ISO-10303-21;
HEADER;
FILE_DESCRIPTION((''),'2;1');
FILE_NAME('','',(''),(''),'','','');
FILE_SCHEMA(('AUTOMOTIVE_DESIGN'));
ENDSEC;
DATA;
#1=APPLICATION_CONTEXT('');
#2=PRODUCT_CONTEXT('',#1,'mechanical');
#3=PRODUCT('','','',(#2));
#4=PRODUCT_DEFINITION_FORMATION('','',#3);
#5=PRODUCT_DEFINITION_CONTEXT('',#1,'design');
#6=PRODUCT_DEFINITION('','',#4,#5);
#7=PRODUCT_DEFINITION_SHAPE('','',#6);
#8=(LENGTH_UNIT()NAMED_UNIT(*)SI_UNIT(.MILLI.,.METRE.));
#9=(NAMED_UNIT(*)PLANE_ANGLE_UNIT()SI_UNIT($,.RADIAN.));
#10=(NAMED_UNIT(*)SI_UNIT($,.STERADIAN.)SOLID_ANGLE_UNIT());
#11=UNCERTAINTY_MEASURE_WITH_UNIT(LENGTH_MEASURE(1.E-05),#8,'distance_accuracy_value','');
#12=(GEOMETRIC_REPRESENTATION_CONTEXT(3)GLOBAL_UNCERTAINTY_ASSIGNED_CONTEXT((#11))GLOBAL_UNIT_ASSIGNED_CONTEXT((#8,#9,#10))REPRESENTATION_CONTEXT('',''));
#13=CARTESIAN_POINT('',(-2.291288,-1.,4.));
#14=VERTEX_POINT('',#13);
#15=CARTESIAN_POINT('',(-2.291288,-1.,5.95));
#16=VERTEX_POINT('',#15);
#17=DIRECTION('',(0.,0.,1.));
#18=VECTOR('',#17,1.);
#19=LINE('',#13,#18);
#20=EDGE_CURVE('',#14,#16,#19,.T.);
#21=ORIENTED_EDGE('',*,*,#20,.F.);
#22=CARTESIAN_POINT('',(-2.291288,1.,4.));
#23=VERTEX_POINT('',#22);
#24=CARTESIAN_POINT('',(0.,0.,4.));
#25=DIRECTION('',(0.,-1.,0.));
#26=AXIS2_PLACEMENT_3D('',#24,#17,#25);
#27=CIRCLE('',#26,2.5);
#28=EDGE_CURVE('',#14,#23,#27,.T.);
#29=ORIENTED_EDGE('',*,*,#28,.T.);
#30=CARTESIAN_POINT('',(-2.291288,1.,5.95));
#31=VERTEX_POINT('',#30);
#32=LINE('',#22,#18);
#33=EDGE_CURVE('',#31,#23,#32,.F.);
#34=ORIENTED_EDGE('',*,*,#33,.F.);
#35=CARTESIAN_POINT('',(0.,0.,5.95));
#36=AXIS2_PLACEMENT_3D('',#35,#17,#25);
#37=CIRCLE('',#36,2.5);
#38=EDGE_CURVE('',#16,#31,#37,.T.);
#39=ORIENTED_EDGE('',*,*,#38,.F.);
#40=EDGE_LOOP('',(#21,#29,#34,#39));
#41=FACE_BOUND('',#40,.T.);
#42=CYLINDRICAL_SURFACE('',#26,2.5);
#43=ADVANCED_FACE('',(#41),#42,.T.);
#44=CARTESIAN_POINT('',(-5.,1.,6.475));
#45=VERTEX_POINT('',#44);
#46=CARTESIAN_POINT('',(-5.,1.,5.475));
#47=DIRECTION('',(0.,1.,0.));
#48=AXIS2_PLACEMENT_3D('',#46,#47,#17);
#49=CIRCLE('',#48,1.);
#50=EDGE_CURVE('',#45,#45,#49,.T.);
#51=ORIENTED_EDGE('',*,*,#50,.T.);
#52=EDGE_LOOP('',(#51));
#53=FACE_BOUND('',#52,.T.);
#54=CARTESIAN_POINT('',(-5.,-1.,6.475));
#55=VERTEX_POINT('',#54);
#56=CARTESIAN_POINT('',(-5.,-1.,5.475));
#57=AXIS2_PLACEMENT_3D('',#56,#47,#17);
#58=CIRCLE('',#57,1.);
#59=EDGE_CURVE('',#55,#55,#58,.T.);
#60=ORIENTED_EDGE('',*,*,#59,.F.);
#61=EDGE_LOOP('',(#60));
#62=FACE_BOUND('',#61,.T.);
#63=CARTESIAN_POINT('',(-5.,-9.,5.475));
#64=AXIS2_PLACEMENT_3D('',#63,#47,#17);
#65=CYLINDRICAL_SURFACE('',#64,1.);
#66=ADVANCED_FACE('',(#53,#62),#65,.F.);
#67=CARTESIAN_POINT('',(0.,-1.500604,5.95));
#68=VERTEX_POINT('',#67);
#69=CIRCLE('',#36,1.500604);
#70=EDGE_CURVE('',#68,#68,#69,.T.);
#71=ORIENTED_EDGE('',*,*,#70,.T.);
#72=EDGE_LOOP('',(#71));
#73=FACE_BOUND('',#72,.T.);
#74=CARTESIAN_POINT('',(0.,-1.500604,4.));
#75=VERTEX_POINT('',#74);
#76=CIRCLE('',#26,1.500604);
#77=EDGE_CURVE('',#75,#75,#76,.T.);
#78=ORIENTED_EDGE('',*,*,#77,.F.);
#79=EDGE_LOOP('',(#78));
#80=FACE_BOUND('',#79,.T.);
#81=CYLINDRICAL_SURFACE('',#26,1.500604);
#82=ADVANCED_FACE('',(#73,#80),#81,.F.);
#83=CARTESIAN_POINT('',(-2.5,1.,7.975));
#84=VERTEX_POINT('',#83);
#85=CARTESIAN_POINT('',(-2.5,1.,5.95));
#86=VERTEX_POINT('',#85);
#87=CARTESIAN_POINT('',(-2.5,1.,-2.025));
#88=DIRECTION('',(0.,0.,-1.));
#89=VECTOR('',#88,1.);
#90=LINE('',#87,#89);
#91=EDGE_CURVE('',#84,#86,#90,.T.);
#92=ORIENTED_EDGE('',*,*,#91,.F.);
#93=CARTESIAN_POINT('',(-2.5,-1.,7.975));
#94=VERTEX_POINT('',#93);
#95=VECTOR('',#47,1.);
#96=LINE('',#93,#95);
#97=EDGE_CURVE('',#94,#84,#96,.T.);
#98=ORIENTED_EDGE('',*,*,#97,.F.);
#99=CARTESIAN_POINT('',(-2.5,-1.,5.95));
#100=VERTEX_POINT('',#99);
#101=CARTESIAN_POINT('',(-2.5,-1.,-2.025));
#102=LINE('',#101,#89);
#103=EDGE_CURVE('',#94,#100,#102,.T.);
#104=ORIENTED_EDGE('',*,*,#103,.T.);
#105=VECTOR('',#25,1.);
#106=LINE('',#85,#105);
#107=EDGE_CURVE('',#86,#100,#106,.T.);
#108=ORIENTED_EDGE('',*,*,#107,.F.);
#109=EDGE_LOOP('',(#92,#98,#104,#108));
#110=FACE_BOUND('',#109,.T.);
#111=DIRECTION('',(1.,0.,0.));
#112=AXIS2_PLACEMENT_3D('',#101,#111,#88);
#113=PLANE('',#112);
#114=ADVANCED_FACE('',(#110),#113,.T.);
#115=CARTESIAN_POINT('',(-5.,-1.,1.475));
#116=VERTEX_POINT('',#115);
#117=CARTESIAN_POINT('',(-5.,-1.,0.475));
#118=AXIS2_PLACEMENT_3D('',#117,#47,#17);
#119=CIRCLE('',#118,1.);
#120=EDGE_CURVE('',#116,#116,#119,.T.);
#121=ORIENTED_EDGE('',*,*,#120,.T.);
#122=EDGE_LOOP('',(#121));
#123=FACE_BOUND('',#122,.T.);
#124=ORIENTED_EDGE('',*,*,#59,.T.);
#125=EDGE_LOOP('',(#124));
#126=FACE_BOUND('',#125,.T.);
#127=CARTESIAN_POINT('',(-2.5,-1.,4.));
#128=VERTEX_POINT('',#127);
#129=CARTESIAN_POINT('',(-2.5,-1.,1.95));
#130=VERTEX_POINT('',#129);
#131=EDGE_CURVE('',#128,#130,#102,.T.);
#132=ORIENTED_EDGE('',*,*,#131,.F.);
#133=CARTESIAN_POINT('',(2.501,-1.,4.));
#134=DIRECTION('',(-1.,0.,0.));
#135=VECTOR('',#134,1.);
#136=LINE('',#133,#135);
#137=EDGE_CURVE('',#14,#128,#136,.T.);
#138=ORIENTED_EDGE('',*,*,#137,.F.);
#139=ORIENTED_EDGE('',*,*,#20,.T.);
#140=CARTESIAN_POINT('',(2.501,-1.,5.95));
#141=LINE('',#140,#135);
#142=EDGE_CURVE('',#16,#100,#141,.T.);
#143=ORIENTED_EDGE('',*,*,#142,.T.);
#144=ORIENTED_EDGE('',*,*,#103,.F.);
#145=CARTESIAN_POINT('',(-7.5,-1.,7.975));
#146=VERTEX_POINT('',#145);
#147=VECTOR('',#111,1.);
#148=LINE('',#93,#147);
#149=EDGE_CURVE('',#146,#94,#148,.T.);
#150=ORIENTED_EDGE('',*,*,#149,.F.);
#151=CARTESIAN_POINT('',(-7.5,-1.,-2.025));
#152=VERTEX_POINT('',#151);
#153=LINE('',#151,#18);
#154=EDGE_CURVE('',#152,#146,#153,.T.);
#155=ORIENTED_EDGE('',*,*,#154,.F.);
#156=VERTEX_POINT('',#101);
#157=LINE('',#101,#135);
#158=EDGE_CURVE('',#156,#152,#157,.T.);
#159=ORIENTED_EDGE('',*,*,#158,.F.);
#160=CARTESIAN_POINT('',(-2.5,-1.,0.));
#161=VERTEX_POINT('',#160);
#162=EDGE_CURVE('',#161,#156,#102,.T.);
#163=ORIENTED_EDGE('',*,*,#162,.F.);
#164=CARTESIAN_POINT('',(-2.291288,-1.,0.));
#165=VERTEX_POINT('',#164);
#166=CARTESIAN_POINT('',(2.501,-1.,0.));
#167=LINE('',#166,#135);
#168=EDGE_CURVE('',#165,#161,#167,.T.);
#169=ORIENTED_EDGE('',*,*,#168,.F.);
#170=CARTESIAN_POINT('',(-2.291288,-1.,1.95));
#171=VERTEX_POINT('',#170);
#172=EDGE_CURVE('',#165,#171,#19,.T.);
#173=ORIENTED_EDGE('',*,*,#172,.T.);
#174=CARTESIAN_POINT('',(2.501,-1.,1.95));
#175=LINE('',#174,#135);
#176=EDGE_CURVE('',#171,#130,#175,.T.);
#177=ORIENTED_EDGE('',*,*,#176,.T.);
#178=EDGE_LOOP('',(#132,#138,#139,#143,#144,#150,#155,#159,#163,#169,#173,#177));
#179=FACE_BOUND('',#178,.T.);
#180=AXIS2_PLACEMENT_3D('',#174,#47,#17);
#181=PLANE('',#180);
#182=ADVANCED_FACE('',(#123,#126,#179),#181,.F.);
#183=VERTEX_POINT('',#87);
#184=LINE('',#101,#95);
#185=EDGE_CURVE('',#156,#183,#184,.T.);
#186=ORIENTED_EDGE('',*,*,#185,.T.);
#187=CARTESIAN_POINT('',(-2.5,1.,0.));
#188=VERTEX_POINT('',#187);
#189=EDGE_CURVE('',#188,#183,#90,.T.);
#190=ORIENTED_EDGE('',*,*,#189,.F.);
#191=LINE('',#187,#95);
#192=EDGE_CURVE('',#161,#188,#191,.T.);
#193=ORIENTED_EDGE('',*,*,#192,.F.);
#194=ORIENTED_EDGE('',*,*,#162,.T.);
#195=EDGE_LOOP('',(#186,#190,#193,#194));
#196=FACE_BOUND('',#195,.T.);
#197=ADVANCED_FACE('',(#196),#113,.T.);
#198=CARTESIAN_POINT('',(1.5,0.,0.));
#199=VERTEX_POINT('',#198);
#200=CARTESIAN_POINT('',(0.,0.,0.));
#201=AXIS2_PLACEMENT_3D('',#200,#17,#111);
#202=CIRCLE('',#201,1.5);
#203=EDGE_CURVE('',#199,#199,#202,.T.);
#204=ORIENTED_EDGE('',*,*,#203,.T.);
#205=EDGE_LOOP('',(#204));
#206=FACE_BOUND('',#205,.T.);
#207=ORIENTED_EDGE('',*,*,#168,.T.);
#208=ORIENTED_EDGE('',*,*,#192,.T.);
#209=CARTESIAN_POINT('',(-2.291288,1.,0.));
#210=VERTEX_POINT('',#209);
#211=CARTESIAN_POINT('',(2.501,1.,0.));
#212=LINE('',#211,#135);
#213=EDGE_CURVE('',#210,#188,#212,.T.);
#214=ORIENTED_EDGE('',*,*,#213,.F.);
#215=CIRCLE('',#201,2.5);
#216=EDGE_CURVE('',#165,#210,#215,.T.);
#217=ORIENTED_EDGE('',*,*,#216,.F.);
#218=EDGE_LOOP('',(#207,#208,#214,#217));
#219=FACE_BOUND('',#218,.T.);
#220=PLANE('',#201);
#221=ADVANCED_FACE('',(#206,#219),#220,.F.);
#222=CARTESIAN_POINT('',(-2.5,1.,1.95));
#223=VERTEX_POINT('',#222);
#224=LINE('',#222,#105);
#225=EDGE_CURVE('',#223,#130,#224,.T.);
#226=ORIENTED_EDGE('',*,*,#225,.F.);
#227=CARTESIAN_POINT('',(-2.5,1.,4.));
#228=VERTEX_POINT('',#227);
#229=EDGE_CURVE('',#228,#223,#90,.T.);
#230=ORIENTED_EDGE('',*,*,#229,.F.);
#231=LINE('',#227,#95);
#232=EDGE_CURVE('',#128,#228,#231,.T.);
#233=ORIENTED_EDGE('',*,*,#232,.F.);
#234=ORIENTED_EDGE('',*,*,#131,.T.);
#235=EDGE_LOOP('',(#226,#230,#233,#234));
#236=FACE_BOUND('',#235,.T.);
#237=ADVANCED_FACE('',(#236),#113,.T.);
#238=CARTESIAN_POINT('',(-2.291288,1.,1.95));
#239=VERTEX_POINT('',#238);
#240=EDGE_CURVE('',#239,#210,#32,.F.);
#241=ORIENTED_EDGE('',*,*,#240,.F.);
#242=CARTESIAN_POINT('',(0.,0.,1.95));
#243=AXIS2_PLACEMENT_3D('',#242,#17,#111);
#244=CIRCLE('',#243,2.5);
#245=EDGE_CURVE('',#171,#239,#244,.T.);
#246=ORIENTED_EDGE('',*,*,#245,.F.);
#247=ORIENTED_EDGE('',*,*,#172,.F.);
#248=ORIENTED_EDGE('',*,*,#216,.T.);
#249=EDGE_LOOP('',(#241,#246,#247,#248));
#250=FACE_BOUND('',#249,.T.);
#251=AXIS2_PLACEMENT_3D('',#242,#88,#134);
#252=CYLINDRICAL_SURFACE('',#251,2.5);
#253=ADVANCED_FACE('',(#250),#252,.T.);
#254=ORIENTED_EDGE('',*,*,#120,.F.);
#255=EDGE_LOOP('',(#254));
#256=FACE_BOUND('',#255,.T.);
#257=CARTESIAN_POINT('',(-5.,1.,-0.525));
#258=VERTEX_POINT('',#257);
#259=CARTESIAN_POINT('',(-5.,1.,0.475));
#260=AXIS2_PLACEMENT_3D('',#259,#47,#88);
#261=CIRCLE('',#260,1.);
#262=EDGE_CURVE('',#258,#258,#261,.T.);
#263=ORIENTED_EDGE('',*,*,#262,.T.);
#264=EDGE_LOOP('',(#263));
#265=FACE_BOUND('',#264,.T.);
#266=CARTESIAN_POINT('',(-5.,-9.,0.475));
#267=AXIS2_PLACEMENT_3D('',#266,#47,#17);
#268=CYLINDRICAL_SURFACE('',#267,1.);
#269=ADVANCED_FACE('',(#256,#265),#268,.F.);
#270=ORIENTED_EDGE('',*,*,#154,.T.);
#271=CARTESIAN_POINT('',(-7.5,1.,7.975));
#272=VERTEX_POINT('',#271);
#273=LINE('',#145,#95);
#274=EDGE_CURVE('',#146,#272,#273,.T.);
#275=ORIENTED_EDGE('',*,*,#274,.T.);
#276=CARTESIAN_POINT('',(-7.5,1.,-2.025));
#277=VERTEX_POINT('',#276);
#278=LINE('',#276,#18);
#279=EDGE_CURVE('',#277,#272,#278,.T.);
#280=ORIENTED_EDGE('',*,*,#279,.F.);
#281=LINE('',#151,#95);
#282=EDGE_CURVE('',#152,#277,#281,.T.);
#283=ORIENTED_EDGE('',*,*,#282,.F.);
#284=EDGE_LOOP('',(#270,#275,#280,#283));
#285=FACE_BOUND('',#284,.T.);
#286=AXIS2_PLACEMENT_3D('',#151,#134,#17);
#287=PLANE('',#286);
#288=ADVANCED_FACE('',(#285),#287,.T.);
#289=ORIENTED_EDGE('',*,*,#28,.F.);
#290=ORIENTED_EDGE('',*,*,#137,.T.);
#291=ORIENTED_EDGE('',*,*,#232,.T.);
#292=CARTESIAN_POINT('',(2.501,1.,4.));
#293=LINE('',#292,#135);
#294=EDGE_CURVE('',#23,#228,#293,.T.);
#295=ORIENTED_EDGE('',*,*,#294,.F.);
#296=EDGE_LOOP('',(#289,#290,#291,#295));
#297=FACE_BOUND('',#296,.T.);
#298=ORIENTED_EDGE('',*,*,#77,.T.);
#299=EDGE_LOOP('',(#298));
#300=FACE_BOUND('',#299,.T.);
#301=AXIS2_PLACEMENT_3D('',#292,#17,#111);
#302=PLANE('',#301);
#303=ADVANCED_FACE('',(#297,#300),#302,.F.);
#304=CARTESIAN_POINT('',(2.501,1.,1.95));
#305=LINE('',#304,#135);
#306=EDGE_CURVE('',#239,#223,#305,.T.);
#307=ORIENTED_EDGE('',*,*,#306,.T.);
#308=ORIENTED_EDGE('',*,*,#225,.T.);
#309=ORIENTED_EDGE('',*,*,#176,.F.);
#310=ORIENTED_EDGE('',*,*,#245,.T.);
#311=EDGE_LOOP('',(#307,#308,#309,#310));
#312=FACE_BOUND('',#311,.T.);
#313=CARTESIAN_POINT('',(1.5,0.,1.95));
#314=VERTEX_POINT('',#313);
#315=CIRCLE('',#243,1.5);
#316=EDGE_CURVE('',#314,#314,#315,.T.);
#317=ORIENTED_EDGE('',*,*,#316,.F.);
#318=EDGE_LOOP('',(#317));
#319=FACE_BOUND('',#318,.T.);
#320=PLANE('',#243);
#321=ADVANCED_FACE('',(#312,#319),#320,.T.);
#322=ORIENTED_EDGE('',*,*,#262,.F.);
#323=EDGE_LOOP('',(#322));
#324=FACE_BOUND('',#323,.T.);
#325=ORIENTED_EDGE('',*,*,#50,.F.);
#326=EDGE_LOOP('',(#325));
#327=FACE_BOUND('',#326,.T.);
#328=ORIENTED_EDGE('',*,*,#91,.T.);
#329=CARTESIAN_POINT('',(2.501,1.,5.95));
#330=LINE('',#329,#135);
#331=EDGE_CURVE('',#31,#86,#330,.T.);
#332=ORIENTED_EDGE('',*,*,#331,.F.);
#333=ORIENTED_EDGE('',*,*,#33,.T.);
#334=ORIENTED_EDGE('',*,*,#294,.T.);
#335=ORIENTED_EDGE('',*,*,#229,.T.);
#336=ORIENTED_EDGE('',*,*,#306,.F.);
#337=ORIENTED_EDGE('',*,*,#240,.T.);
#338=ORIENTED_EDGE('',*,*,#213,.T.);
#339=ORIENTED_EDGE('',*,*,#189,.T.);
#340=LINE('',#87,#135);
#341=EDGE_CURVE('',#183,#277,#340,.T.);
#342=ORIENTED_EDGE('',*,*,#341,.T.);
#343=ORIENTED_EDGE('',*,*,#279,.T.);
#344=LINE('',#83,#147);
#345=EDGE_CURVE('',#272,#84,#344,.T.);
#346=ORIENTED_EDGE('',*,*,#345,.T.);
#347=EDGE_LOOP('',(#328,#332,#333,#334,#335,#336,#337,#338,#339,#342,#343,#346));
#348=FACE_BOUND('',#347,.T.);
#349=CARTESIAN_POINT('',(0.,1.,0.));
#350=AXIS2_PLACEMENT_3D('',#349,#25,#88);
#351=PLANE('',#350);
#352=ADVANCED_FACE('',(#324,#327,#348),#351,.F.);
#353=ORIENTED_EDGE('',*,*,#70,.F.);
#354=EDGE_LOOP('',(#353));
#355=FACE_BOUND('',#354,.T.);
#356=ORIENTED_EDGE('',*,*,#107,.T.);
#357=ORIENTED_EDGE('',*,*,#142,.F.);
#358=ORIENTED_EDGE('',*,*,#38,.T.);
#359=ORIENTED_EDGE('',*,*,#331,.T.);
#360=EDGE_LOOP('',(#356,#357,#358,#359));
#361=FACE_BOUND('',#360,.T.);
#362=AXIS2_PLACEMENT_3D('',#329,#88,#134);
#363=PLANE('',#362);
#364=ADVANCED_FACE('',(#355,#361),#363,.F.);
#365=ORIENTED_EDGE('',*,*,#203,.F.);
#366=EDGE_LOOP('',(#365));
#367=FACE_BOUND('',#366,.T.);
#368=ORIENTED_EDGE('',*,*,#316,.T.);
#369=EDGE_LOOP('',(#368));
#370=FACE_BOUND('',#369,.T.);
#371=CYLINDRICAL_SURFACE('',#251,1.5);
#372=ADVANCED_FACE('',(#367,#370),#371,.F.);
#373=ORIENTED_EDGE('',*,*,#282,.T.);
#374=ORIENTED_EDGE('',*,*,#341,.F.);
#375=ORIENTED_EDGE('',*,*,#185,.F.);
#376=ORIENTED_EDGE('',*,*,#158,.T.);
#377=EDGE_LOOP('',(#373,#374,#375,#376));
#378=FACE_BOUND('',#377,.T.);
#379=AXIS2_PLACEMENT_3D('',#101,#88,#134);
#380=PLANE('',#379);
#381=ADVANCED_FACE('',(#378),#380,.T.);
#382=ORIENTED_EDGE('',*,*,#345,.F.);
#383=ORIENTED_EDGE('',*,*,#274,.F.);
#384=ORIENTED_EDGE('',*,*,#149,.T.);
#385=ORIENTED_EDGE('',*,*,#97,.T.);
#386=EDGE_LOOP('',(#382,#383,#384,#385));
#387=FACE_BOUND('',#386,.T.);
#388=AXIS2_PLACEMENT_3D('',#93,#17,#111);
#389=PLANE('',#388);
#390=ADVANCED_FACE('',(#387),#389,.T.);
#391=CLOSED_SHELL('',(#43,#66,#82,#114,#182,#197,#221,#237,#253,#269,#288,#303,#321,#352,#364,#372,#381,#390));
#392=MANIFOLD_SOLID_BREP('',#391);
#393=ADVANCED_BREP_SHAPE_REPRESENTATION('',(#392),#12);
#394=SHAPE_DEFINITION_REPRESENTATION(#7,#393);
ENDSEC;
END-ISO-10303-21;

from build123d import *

# Parameters (mm, degrees)
SKETCH2_R                = 2.5
SKETCH2_R_2              = 1.5
BOSS_EXTRUDE1_DEPTH      = 1.95
SKETCH3_W                = 5
SKETCH3_H                = 10
BOSS_EXTRUDE2_DEPTH      = 1
BOSS_EXTRUDE2_DEPTH_BACK = 1
SKETCH5_R                = 2.5
SKETCH5_R_2              = 1.50060411
BOSS_EXTRUDE3_DEPTH      = 0.975
BOSS_EXTRUDE3_DEPTH_BACK = 0.975
SKETCH6_W                = 1.95
SKETCH6_H                = 2
BOSS_EXTRUDE4_DEPTH      = 0.208712
SKETCH7_R                = 1
CUT_EXTRUDE1_DEPTH       = 10


with BuildPart() as part:
    # Sketch2 → Boss-Extrude1 (new body)
    with BuildSketch(Plane.XY):
        Circle(SKETCH2_R)
        Circle(SKETCH2_R_2, mode=Mode.SUBTRACT)
    extrude(amount=BOSS_EXTRUDE1_DEPTH)



with BuildPart() as body_2:
    # Sketch3 → Boss-Extrude2 (new body, two sides)
    with BuildSketch(Plane(origin=(0, 0, 0), x_dir=(1, 0, 0), z_dir=(0, 1, 0))) as boss_extrude2_sk:
        with Locations((-5, -2.975)):
            Rectangle(SKETCH3_W, SKETCH3_H)
    extrude(amount=BOSS_EXTRUDE2_DEPTH)
    extrude(boss_extrude2_sk.sketch, amount=-BOSS_EXTRUDE2_DEPTH_BACK)


with BuildPart() as body_3:
    # Sketch5 → Boss-Extrude3 (new body, two sides)
    with BuildSketch(Plane(origin=(0, 0, 4.975), x_dir=(0, -1, 0), z_dir=(0, 0, 1))) as boss_extrude3_sk:
        Circle(SKETCH5_R)
        Circle(SKETCH5_R_2, mode=Mode.SUBTRACT)
    extrude(amount=BOSS_EXTRUDE3_DEPTH)
    extrude(boss_extrude3_sk.sketch, amount=-BOSS_EXTRUDE3_DEPTH_BACK)


with BuildPart() as part_1:
    add(part.part)

    add(body_2.part)  # Boss-Extrude4 merges body 2

    add(body_3.part)  # Boss-Extrude4 merges body 3
    # Sketch6 → Boss-Extrude4 (add)
    with BuildSketch(Plane(origin=(-2.5, 0, 0), x_dir=(0, 0, -1), z_dir=(1, 0, 0))):
        with Locations((-4.975, 0)):
            Rectangle(SKETCH6_W, SKETCH6_H)
        with Locations((-0.975, 0)):
            Rectangle(SKETCH6_W, SKETCH6_H)
    extrude(amount=BOSS_EXTRUDE4_DEPTH)

    # Sketch7 → Cut-Extrude1 (cut)
    with BuildSketch(Plane(origin=(0, 1, 0), x_dir=(1, 0, 0), z_dir=(0, 1, 0))):
        with Locations((-5, -5.475)):
            Circle(SKETCH7_R)
        with Locations((-5, -0.475)):
            Circle(SKETCH7_R)
    extrude(amount=-CUT_EXTRUDE1_DEPTH, mode=Mode.SUBTRACT)


solid = part_1.part
